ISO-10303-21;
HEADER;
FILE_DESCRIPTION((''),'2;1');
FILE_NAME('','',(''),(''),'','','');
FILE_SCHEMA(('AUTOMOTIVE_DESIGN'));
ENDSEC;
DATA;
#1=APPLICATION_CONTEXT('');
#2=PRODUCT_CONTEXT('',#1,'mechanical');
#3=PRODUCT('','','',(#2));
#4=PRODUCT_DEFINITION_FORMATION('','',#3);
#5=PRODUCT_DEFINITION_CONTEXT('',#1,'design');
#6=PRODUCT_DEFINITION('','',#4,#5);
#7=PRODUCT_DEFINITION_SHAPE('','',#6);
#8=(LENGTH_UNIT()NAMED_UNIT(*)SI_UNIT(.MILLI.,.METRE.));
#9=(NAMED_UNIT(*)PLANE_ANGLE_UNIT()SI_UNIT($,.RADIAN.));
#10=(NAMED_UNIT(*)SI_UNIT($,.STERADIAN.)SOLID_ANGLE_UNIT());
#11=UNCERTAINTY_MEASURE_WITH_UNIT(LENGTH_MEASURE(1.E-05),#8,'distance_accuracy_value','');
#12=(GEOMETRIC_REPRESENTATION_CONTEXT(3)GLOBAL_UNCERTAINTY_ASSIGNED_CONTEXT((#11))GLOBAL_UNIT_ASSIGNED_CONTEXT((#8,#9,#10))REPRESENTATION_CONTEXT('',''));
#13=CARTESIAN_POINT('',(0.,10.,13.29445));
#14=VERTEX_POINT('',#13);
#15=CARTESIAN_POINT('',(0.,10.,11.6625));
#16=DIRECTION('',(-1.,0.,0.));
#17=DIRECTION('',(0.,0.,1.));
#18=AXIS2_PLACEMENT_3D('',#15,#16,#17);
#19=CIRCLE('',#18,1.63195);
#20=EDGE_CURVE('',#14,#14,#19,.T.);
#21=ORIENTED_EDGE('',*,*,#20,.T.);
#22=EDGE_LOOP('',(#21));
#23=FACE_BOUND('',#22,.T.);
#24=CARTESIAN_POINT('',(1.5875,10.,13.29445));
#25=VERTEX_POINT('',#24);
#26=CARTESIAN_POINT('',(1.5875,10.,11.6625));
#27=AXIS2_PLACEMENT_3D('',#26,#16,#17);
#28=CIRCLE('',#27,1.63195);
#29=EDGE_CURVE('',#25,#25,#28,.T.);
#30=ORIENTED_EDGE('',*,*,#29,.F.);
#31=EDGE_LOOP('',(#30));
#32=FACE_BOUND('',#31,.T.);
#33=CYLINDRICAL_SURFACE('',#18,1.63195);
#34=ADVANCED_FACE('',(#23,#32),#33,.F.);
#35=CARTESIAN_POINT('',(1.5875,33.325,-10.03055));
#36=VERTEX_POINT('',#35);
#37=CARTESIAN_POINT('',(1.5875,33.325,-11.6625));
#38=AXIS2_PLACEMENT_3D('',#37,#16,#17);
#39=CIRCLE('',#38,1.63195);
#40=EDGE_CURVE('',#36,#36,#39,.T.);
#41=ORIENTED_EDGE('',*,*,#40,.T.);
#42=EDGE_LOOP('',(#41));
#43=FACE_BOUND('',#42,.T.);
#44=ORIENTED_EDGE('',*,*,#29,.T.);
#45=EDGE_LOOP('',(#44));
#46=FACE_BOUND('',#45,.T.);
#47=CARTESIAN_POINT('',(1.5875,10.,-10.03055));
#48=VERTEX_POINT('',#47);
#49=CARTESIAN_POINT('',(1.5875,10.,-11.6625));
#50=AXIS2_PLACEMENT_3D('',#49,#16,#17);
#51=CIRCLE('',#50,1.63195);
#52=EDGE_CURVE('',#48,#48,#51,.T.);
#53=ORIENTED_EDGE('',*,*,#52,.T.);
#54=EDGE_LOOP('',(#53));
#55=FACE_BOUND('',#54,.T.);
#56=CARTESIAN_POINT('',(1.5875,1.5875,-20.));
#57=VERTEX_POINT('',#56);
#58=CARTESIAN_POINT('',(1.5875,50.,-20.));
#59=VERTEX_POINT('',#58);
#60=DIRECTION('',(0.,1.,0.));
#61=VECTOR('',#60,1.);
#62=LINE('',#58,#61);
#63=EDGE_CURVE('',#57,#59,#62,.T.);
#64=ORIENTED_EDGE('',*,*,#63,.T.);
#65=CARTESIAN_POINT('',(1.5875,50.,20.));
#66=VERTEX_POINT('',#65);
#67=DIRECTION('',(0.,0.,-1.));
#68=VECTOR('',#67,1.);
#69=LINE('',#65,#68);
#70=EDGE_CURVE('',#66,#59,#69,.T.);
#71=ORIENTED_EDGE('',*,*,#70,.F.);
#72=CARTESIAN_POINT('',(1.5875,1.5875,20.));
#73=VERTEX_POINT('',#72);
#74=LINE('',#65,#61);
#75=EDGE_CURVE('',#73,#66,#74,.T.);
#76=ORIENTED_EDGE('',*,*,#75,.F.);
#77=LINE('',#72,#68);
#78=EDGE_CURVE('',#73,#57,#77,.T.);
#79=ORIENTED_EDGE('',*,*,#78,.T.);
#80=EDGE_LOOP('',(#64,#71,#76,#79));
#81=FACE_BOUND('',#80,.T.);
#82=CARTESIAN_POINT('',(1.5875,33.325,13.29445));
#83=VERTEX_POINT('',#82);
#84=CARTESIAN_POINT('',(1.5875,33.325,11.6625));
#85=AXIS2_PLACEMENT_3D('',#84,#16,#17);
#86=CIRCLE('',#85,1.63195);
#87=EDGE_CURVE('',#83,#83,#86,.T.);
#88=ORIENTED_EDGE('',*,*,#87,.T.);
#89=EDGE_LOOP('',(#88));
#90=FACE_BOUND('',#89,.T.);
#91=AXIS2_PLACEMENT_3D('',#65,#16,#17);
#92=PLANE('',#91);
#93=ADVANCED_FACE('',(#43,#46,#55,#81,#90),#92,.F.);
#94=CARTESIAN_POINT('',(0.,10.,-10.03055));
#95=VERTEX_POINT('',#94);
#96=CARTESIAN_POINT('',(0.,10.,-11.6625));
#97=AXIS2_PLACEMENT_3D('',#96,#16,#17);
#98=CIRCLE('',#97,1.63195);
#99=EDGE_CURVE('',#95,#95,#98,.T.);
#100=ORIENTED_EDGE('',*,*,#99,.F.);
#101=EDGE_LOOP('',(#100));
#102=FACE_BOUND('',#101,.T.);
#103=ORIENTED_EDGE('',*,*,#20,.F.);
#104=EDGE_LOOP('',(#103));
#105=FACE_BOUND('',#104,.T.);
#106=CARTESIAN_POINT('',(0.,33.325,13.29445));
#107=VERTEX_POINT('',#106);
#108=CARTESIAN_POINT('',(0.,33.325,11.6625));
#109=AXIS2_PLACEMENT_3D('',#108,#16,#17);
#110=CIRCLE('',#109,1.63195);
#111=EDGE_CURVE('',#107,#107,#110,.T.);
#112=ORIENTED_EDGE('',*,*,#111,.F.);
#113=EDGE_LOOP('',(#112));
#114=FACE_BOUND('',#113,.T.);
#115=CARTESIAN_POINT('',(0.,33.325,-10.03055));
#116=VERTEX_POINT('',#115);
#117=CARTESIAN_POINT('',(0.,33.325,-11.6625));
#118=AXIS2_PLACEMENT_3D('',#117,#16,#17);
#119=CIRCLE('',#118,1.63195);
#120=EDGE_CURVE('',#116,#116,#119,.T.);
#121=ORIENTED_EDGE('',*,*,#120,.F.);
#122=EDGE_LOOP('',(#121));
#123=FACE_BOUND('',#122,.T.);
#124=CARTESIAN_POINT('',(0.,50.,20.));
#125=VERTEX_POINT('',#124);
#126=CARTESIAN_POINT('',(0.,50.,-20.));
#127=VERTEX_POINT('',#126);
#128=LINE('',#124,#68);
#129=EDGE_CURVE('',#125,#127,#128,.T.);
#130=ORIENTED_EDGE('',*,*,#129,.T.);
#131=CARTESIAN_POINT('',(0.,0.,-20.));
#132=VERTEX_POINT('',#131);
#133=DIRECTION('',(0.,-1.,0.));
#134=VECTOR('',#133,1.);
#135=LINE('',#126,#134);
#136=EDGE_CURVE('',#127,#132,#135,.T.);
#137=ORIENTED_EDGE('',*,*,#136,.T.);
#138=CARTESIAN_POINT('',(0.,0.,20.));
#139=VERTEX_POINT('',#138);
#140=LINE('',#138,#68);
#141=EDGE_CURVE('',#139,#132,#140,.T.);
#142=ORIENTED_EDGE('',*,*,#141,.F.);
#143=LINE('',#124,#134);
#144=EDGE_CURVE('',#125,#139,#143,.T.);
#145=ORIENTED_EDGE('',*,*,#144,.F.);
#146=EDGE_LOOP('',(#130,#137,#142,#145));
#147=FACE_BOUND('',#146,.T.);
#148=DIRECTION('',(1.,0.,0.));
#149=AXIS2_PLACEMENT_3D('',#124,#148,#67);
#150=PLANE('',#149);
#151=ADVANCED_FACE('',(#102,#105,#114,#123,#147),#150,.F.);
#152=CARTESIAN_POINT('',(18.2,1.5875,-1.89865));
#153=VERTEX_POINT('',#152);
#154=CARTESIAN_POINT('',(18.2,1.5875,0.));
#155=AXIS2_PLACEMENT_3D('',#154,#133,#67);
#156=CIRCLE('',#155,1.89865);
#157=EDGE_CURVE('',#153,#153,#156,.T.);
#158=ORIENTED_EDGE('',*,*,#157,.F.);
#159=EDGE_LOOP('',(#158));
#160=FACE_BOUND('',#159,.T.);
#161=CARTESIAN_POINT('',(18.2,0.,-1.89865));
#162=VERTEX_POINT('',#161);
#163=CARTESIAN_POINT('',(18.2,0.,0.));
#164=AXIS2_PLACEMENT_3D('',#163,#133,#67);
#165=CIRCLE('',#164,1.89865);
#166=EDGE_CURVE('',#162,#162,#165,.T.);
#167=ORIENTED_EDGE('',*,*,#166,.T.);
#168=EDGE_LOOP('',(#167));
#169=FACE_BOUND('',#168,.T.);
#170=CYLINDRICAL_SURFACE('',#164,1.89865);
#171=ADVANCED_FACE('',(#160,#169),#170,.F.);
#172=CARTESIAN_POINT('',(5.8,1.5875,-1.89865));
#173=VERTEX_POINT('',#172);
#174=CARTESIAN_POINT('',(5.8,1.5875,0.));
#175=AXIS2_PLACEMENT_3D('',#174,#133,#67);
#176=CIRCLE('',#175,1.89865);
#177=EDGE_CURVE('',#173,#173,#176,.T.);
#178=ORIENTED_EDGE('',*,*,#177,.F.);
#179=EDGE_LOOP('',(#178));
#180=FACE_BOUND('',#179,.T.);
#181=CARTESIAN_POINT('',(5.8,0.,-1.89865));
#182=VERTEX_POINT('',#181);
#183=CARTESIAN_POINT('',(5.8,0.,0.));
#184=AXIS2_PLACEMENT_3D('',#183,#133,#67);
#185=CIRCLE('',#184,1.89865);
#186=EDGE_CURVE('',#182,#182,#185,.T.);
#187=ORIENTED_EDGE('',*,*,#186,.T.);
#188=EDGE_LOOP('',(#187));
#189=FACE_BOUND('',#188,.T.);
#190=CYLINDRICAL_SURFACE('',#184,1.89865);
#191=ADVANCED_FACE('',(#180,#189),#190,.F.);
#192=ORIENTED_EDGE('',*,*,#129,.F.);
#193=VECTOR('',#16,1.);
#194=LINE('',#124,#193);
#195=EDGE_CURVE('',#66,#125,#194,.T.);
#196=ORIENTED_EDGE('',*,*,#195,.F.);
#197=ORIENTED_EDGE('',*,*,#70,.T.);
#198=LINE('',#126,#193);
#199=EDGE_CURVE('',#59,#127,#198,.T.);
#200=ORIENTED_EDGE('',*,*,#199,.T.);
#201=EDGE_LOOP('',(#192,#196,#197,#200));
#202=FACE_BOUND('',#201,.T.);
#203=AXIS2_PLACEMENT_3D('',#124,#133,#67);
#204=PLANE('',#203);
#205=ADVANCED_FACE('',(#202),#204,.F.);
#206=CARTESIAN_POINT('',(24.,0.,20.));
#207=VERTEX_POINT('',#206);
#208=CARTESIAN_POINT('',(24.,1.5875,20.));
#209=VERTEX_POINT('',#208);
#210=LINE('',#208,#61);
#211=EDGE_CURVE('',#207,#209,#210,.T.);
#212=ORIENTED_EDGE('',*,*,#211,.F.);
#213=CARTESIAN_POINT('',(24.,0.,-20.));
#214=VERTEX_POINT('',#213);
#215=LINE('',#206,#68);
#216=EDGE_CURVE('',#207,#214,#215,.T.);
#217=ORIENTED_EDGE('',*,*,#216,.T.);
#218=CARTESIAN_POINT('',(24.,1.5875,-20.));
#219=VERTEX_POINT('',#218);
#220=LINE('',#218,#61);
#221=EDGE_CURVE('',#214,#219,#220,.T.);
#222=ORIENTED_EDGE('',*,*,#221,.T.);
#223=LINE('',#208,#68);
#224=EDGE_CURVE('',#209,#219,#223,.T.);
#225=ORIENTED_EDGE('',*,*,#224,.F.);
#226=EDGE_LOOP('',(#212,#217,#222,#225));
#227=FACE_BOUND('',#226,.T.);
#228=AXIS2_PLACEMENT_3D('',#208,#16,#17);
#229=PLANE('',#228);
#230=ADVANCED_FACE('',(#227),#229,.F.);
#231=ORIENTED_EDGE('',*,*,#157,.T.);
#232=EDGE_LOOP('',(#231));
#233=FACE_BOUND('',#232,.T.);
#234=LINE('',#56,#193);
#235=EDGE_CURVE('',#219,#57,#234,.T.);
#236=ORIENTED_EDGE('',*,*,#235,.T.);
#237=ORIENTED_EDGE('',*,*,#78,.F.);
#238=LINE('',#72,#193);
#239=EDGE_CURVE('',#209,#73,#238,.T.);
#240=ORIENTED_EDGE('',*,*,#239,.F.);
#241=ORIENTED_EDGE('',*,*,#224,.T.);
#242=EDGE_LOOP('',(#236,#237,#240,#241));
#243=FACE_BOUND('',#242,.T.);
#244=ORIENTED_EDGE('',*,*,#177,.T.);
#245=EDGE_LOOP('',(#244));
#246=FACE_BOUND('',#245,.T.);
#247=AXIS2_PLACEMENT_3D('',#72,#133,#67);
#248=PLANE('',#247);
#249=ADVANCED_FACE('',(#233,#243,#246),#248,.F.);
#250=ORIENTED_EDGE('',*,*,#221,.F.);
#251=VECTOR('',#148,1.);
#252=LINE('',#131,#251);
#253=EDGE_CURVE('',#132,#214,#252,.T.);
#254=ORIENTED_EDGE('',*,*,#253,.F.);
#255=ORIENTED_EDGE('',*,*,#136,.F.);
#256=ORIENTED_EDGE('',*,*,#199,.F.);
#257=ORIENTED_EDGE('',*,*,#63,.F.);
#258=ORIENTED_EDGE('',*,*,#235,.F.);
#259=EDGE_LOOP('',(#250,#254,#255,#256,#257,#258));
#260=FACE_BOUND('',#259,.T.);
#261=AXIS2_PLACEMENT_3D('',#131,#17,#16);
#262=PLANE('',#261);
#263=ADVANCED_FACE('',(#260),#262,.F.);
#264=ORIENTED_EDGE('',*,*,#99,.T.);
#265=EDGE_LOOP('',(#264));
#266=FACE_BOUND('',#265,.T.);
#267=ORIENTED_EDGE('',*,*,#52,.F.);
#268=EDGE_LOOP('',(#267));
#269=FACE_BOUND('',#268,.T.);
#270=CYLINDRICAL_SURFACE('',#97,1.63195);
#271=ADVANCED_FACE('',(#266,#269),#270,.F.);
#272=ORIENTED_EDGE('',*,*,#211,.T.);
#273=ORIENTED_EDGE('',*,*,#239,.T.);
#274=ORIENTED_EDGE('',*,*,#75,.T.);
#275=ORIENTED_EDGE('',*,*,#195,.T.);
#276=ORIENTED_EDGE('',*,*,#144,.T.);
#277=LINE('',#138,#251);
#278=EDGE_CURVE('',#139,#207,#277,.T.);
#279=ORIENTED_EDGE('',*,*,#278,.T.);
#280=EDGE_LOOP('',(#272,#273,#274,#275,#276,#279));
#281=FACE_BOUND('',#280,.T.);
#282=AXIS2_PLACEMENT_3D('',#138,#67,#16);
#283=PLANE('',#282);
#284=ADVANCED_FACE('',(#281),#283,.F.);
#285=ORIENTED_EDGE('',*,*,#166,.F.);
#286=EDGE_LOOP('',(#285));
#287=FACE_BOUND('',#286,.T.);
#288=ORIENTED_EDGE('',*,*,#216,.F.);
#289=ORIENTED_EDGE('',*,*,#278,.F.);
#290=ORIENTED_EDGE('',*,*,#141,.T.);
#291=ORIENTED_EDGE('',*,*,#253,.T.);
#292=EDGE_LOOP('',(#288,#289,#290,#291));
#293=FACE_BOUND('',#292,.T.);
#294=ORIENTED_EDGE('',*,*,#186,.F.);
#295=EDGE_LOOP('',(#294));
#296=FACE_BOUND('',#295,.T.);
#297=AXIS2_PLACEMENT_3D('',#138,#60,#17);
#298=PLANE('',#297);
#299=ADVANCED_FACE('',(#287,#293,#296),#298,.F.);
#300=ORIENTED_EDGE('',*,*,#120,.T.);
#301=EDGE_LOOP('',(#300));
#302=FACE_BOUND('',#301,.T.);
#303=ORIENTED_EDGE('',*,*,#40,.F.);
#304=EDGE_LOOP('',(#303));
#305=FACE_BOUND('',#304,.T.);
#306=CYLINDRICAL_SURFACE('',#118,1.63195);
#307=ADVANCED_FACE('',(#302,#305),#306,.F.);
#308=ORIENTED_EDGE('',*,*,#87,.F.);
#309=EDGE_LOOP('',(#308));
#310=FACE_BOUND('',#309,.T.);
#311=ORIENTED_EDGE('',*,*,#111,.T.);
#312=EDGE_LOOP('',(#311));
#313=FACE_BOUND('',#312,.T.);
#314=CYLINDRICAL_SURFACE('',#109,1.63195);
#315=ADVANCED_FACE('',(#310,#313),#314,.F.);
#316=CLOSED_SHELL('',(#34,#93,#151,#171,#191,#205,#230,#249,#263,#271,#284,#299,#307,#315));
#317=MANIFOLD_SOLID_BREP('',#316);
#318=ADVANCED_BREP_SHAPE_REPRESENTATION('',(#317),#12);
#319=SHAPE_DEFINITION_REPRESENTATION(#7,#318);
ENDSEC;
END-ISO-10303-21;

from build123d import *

# Parameters (mm, degrees)
BOSS_EXTRUDE1_DEPTH   = 20
F_4_CLEARANCE_HOLE1_D = 3.2639
F_6_CLEARANCE_HOLE1_D = 3.7973


with BuildPart() as part:
    # Sketch1 → Boss-Extrude1 (new body)
    with BuildSketch(Plane.XY):
        Polygon((0, 50), (0, 0), (24, 0), (24, 1.5875), (1.5875, 1.5875), (1.5875, 50), align=None)
    boss_extrude1 = extrude(amount=BOSS_EXTRUDE1_DEPTH)

    # #4 Clearance Hole1 (through all)
    with Locations(Plane.ZY):
        with Locations((11.6625, 33.325), (11.6625, 10)):
            f_4_clearance_hole1 = Hole(F_4_CLEARANCE_HOLE1_D / 2)

    # Mirror1: Boss-Extrude1, #4 Clearance Hole1 across plane
    add(boss_extrude1.mirror(Plane(origin=(0, 0, 0), x_dir=(1, 0, 0), z_dir=(0, 0, -1))))
    add(f_4_clearance_hole1.mirror(Plane(origin=(0, 0, 0), x_dir=(1, 0, 0), z_dir=(0, 0, -1))), mode=Mode.SUBTRACT)

    # #6 Clearance Hole1 (through all)
    with Locations(Plane(origin=(0, 0, 0), x_dir=(-1, 0, 0), z_dir=(0, -1, 0))):
        with Locations((-18.2, 0), (-5.8, 0)):
            Hole(F_6_CLEARANCE_HOLE1_D / 2)


solid = part.part
